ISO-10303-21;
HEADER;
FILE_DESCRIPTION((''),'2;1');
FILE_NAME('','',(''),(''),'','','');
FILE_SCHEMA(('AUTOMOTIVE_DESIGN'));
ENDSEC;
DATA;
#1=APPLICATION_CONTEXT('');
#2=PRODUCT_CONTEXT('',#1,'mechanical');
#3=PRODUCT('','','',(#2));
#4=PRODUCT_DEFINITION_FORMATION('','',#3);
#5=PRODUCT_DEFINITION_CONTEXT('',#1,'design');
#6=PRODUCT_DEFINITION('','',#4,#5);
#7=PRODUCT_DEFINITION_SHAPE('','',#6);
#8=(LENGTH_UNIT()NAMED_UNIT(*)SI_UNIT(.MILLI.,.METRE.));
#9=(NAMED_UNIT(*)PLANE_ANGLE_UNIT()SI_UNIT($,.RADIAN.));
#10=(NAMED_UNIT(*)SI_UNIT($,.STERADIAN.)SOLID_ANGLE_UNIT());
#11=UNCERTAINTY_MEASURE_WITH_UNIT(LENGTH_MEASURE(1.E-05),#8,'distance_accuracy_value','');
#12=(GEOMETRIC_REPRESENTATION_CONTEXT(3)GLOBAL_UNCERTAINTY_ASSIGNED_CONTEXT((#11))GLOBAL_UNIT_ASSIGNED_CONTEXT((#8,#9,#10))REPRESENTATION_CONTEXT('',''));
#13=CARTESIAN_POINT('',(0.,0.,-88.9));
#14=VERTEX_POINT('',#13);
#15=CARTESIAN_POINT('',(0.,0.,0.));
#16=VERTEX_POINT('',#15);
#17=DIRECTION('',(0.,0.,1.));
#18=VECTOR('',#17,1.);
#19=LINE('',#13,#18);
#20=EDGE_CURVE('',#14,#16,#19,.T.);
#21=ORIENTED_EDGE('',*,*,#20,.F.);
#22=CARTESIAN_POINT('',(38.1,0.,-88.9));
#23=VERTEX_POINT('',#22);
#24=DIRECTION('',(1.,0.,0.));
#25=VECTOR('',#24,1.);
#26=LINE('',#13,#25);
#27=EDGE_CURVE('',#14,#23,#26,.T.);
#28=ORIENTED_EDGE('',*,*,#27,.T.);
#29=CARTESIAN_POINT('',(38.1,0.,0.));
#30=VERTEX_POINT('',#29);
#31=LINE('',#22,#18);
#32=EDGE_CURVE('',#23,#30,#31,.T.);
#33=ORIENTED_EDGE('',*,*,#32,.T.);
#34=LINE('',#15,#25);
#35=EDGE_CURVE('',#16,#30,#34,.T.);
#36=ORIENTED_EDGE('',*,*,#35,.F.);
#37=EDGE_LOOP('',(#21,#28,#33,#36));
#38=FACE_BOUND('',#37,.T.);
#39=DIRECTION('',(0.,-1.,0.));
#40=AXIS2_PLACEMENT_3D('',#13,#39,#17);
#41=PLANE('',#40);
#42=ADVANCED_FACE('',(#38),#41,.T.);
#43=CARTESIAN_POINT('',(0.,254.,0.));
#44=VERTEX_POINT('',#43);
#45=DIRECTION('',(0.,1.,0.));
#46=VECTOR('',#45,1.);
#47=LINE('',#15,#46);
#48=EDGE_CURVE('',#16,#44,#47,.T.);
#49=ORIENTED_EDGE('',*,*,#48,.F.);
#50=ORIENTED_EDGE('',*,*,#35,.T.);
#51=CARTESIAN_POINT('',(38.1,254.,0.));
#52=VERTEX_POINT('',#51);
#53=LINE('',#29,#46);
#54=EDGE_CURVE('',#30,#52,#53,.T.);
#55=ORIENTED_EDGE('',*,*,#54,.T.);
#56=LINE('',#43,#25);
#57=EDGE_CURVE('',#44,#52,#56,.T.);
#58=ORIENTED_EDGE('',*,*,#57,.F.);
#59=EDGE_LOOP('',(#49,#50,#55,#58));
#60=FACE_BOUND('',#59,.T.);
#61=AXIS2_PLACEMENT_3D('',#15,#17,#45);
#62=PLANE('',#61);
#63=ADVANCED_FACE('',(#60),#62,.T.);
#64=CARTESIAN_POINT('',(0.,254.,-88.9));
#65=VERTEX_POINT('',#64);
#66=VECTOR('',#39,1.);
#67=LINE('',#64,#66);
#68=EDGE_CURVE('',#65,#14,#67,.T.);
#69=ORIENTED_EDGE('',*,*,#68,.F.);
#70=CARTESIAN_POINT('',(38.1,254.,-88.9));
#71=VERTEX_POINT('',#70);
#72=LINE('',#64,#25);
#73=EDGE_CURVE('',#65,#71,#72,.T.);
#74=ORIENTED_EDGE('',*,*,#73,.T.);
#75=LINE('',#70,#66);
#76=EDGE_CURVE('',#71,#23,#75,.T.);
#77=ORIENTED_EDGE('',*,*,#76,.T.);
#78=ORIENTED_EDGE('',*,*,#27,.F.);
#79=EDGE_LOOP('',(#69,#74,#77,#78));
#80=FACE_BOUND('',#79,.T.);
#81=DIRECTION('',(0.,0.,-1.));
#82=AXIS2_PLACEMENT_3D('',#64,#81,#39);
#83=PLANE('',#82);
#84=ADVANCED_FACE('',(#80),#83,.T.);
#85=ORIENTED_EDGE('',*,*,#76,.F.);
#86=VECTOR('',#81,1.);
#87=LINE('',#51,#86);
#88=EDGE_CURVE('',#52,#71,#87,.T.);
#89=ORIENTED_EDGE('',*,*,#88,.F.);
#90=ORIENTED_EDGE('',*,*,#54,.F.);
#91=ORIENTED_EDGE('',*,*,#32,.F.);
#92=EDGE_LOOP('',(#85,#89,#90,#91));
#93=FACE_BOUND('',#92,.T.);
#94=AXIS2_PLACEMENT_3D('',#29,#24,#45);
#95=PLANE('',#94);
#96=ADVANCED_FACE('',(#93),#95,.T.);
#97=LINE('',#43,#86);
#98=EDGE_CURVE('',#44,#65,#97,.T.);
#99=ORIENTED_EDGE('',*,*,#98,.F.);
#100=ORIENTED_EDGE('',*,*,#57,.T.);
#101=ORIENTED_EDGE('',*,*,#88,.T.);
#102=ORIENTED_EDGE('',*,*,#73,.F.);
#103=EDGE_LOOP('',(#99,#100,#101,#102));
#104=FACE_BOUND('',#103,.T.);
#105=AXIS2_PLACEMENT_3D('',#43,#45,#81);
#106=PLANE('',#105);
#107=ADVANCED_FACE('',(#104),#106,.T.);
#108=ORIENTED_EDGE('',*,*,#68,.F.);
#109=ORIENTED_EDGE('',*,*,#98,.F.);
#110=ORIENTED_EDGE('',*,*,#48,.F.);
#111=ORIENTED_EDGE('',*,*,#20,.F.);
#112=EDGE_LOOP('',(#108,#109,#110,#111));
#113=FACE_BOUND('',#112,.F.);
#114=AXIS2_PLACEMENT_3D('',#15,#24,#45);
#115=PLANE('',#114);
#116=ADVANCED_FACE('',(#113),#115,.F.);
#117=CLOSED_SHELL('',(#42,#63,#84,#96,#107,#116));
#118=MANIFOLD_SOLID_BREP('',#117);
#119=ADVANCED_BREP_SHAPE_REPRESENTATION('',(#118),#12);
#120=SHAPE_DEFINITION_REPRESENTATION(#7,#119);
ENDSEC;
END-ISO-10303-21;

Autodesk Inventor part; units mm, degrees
ref_plane "YZ Plane" through (0, 0, 0) normal (1, 0, 0) x (0, 1, 0)
ref_plane "XZ Plane" through (0, 0, 0) normal (0, 1, 0) x (-1, 0, 0)
ref_plane "XY Plane" through (0, 0, 0) normal (0, 0, 1) x (1, 0, 0)
sketch "Sketch1" plane through (0, 0, 0) normal (1, 0, 0) x (0, 1, 0)
  line L0 (0, 0) -> (254, 0)
  line L1 (254, 0) -> (254, -88.9)
  line L2 (254, -88.9) -> (0, -88.9)
  line L3 (0, -88.9) -> (0, 0)
  dimension "d0" = 254
  dimension "d1" = 88.9
extrude "Extrusion1" add sketch "Sketch1" along normal blind 38.1
properties part number "10''x2x4"
